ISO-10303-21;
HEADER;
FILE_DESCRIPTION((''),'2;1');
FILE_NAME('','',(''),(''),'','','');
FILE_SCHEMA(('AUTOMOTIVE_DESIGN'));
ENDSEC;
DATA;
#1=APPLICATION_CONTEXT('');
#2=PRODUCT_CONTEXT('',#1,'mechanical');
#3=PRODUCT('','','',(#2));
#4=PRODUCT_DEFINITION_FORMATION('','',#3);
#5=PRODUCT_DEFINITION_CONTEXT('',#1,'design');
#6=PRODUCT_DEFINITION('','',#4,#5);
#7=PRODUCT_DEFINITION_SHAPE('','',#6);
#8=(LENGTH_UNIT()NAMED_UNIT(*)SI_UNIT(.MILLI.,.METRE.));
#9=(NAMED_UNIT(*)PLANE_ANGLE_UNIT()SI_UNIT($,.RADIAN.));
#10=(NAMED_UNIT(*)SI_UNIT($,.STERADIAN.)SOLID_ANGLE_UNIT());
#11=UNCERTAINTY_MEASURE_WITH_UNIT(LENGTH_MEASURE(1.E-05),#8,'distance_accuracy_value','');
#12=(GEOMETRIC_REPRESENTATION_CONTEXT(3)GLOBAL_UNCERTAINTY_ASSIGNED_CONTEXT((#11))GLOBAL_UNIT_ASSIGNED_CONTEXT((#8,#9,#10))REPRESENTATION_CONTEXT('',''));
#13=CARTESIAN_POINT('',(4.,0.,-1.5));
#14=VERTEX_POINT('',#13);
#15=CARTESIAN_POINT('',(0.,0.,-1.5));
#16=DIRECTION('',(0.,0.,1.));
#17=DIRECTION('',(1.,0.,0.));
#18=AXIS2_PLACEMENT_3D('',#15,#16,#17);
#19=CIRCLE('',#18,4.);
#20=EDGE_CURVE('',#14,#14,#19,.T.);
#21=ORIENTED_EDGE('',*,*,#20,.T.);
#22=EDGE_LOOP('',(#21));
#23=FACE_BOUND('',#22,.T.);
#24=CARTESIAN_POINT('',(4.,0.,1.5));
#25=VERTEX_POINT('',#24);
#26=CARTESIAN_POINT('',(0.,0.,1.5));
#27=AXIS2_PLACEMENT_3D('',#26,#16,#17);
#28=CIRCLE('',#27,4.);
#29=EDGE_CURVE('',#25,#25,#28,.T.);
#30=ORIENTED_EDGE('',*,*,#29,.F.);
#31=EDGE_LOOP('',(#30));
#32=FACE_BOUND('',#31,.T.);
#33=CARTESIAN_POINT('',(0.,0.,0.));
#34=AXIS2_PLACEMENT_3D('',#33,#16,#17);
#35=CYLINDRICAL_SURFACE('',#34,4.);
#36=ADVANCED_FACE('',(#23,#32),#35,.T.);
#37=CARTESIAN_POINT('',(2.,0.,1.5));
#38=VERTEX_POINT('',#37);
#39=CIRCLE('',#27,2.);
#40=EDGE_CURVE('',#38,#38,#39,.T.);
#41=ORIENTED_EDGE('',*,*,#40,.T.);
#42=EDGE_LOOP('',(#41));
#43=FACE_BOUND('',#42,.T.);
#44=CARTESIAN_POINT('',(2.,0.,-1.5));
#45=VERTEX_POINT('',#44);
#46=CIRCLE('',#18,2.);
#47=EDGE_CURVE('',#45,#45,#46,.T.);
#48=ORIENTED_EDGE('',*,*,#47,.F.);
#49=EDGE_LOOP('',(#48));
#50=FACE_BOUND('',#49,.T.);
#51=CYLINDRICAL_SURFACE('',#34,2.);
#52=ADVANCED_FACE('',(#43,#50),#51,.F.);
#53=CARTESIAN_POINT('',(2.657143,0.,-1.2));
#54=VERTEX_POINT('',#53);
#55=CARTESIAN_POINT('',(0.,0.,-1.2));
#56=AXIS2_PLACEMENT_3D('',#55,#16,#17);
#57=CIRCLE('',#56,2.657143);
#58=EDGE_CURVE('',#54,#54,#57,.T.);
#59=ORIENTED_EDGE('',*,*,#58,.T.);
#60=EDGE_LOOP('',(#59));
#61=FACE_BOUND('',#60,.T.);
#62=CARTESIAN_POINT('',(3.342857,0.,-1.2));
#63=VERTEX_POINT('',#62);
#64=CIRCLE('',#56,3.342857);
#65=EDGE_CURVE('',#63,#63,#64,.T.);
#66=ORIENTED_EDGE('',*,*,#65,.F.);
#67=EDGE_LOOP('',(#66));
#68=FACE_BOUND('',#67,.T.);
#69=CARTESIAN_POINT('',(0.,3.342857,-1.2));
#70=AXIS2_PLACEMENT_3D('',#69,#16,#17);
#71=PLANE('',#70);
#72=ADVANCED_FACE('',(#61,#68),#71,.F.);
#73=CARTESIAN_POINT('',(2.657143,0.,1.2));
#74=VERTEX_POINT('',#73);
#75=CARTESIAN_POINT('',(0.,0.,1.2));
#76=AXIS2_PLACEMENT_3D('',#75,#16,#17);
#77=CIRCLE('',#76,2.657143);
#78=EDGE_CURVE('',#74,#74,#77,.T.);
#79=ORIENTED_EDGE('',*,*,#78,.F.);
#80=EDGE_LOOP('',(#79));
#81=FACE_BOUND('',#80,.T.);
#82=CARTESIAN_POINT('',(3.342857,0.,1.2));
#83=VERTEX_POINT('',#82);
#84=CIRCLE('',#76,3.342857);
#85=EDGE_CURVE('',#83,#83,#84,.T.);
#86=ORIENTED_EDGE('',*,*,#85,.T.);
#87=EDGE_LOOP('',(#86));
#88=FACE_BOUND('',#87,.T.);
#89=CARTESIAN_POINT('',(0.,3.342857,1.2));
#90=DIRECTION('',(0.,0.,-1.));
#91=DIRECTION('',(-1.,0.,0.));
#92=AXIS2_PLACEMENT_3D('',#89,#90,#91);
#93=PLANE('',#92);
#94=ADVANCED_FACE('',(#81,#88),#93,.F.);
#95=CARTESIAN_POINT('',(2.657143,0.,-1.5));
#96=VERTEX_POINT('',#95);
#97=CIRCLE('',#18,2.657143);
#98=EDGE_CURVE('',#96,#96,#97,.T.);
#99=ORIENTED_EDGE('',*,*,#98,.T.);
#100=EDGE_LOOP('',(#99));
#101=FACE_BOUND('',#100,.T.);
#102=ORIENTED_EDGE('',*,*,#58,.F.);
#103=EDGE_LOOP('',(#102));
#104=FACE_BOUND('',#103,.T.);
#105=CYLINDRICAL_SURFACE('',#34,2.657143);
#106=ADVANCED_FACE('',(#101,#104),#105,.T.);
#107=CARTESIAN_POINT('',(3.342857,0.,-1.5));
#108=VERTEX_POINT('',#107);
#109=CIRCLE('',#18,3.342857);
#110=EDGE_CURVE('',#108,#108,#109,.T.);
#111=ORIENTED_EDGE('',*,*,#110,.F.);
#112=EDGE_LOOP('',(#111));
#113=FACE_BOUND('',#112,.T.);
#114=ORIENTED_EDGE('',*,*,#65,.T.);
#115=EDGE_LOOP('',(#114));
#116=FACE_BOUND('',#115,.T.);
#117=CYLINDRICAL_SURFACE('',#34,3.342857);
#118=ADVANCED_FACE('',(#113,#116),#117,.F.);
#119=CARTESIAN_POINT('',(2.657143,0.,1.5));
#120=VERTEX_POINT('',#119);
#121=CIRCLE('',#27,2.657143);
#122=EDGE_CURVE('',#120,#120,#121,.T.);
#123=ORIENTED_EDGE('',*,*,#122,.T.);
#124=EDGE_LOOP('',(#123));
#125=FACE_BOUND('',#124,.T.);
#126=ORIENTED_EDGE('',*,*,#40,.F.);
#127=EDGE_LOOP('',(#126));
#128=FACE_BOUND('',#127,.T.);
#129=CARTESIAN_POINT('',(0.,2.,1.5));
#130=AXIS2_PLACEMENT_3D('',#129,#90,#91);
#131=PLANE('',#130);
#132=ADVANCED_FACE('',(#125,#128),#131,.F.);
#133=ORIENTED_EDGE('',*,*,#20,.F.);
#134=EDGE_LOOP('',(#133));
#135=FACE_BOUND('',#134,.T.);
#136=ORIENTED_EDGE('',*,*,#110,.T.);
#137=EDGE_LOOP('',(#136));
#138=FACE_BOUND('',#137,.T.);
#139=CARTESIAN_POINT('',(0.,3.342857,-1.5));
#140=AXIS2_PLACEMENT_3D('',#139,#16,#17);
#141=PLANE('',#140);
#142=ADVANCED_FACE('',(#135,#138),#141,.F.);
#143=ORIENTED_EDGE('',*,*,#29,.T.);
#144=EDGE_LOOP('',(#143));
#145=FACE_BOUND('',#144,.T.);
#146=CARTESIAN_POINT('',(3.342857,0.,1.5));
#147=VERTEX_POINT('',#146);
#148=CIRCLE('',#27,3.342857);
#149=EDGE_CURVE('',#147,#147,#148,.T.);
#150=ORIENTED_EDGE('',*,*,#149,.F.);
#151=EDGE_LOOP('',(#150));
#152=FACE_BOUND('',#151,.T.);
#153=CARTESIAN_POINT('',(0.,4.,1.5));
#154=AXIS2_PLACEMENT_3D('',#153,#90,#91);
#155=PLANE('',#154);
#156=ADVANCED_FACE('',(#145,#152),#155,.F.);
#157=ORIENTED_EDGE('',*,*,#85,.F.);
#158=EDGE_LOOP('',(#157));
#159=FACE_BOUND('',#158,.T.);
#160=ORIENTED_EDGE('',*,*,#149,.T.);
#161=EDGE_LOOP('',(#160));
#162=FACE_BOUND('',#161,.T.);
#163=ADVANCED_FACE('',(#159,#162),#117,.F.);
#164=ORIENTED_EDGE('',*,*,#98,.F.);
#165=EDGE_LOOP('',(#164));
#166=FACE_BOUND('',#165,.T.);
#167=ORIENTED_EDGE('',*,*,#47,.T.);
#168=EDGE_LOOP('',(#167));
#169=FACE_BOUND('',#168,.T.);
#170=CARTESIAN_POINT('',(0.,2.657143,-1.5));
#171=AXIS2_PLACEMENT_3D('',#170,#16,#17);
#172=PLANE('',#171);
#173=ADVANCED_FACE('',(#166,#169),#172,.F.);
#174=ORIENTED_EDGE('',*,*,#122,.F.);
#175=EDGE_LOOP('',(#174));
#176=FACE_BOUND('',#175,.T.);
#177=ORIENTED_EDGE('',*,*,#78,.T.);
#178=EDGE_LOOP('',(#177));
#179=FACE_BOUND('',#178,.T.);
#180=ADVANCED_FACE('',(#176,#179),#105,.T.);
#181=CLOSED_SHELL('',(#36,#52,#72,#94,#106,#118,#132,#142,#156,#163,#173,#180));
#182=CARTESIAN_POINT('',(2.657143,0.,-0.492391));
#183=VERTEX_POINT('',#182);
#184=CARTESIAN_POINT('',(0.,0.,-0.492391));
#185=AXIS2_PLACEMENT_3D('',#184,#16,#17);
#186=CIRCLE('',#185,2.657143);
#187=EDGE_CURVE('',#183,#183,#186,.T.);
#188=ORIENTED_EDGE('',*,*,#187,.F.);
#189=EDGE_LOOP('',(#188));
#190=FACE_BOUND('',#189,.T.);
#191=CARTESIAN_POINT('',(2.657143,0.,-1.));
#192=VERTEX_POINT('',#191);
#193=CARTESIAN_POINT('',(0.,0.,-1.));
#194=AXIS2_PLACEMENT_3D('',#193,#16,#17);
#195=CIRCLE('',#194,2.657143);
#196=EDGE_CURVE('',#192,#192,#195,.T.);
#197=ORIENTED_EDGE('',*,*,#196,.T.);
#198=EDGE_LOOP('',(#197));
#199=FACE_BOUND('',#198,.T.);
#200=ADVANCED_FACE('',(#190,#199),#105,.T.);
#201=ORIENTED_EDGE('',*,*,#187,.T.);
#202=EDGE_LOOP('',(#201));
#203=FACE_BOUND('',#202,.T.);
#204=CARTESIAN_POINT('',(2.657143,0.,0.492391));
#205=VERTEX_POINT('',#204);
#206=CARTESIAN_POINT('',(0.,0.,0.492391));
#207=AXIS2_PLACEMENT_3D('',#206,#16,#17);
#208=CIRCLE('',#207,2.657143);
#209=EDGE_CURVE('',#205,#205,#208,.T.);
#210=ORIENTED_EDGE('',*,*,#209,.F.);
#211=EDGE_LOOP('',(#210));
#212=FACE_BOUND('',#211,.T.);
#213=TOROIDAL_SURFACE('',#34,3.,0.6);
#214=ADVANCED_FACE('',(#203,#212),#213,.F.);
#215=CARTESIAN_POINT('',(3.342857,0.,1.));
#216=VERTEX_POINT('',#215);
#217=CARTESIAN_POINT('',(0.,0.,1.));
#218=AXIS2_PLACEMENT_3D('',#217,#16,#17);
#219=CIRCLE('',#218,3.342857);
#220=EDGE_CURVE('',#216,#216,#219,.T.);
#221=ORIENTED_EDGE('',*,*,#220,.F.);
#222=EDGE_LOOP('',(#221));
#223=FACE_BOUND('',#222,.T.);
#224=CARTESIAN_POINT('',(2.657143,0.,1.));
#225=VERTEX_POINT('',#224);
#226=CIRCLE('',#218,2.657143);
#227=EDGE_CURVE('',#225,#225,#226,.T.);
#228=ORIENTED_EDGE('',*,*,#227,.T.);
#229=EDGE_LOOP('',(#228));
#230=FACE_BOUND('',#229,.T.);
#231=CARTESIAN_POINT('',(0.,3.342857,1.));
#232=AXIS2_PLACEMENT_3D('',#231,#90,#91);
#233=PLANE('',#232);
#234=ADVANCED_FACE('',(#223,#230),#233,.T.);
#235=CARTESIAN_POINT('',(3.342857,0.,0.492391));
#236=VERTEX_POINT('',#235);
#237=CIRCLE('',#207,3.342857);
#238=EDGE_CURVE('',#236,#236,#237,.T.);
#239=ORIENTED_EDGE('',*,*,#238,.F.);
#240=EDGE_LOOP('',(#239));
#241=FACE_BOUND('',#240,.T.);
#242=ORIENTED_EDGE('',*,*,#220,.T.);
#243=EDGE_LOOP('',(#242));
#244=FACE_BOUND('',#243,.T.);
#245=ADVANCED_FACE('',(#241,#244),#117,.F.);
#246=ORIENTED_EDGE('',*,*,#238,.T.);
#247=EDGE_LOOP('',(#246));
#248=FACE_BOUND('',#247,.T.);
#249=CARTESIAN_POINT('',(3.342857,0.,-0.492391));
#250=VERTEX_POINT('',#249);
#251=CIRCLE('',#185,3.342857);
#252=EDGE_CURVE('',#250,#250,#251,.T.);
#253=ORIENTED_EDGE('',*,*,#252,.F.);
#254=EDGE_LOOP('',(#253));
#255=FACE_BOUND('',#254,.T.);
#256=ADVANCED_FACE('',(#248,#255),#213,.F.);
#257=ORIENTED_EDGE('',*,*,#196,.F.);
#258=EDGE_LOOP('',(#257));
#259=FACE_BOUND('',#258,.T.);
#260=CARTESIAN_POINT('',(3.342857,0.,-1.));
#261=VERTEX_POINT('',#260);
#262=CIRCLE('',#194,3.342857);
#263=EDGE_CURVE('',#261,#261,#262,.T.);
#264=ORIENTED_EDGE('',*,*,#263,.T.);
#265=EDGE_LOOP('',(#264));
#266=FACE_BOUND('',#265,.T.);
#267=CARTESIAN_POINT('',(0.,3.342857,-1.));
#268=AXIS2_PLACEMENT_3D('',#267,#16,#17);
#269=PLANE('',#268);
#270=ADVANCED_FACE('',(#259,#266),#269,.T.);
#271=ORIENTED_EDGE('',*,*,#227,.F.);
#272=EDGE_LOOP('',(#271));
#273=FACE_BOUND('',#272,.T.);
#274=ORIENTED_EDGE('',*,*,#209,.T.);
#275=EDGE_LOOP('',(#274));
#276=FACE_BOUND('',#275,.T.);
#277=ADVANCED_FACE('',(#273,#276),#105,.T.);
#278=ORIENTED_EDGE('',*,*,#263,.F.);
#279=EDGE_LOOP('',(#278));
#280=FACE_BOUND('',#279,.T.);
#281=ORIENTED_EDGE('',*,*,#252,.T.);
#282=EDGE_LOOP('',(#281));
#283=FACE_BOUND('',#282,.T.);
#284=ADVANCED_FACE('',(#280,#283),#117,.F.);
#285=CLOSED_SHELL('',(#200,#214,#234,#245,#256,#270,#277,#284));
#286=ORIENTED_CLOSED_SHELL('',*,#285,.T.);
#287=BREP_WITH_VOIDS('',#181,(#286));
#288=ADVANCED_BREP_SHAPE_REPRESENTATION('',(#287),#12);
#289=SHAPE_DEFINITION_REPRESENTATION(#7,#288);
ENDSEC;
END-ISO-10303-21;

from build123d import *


with BuildPart() as part:
    # Эскиз1 → Повернуть1 (revolve)
    with BuildSketch(Plane(origin=(0, 0, 0), x_dir=(0, 0, -1), z_dir=(1, 0, 0))):
        Polygon((1.5, 2), (-1.5, 2), (-1.5, 2.657142857), (-1.2, 2.657142857), (-1.2, 3.342857143), (-1.5, 3.342857143), (-1.5, 4), (1.5, 4), (1.5, 3.342857143), (1.2, 3.342857143), (1.2, 2.657142857), (1.5, 2.657142857), align=None)
        with BuildLine():
            Line((0.492391084, 3.342857143), (1, 3.342857143))
            Line((1, 3.342857143), (1, 2.657142857))
            Line((1, 2.657142857), (0.492391084, 2.657142857))
            ThreePointArc((0.492391084, 2.657142857), (0, 2.4), (-0.492391084, 2.657142857))
            Line((-0.492391084, 2.657142857), (-1, 2.657142857))
            Line((-1, 2.657142857), (-1, 3.342857143))
            Line((-1, 3.342857143), (-0.492391084, 3.342857143))
            ThreePointArc((-0.492391084, 3.342857143), (0, 3.6), (0.492391084, 3.342857143))
        make_face(mode=Mode.SUBTRACT)
    revolve(axis=Axis((0, 0, 0), (0, 0, -1)))


solid = part.part
